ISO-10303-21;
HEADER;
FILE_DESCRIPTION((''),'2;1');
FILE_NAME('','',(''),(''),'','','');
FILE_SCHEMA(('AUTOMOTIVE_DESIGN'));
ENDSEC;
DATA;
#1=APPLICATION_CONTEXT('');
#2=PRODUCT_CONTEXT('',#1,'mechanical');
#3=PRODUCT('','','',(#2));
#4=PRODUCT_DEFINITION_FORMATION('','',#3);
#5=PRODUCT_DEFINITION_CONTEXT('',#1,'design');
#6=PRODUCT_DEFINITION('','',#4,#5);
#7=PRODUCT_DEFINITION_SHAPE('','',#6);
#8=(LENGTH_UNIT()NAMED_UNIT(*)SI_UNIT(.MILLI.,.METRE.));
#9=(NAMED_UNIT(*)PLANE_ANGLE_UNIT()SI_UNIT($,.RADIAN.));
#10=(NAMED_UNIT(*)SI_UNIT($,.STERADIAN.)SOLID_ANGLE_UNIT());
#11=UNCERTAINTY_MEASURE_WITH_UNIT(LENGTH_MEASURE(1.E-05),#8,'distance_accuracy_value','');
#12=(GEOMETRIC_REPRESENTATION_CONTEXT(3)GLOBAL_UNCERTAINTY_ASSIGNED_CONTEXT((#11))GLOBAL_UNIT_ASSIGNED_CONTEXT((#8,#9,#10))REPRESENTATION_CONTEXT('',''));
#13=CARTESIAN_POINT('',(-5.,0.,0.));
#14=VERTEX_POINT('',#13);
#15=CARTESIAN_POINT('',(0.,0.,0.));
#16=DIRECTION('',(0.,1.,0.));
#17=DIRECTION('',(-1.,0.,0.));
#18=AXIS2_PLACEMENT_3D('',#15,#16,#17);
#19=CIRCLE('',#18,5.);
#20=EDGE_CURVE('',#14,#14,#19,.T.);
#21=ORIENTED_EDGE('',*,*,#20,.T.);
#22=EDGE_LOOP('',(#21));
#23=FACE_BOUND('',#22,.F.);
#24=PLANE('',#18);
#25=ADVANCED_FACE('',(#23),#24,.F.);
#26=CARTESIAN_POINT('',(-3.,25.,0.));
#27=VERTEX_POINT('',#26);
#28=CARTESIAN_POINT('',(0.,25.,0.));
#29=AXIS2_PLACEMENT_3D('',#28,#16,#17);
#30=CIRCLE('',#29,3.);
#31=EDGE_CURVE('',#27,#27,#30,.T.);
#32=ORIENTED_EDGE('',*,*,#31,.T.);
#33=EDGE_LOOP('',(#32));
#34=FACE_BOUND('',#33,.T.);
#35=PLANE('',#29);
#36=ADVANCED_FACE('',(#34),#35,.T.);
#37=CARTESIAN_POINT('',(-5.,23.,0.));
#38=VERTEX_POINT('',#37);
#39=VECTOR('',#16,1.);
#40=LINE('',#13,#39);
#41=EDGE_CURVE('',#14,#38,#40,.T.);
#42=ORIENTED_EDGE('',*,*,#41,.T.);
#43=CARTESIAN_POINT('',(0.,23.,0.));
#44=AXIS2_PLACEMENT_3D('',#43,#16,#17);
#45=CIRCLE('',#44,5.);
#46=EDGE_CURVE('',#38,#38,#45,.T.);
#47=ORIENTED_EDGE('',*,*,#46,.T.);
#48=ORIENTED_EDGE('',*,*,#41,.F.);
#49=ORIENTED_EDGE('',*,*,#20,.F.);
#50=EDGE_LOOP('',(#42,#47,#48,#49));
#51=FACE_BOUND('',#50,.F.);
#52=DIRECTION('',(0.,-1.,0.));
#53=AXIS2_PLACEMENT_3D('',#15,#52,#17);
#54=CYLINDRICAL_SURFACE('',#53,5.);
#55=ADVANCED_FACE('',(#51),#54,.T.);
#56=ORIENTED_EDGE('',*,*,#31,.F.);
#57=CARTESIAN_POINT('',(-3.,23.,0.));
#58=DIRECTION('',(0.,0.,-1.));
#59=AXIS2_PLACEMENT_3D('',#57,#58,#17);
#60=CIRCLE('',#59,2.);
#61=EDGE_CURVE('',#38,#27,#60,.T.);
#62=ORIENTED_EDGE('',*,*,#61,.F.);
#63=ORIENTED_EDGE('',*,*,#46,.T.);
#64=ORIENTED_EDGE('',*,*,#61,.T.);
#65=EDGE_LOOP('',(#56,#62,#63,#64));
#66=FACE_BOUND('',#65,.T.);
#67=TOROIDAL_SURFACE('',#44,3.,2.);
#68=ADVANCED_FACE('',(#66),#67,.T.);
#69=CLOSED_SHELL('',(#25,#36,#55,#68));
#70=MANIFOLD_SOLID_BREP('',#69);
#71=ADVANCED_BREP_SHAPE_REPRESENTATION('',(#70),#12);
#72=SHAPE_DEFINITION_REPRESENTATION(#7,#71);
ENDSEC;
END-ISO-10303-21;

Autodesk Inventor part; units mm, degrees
ref_plane "YZ Plane" through (0, 0, 0) normal (1, 0, 0) x (0, 1, 0)
ref_plane "XZ Plane" through (0, 0, 0) normal (0, 1, 0) x (-1, 0, 0)
ref_plane "XY Plane" through (0, 0, 0) normal (0, 0, 1) x (1, 0, 0)
sketch "Sketch1" plane through (0, 0, 0) normal (0, 1, 0) x (-1, 0, 0)
  circle A0 centre (0, 0) radius 5
  dimension "d0" = 10
extrude "Extrusion1" add sketch "Sketch1" along normal blind 25
fillet "Fillet1" radius 2 1 edges at (5, 25, 0)
properties part number "handle" material "Silver"
